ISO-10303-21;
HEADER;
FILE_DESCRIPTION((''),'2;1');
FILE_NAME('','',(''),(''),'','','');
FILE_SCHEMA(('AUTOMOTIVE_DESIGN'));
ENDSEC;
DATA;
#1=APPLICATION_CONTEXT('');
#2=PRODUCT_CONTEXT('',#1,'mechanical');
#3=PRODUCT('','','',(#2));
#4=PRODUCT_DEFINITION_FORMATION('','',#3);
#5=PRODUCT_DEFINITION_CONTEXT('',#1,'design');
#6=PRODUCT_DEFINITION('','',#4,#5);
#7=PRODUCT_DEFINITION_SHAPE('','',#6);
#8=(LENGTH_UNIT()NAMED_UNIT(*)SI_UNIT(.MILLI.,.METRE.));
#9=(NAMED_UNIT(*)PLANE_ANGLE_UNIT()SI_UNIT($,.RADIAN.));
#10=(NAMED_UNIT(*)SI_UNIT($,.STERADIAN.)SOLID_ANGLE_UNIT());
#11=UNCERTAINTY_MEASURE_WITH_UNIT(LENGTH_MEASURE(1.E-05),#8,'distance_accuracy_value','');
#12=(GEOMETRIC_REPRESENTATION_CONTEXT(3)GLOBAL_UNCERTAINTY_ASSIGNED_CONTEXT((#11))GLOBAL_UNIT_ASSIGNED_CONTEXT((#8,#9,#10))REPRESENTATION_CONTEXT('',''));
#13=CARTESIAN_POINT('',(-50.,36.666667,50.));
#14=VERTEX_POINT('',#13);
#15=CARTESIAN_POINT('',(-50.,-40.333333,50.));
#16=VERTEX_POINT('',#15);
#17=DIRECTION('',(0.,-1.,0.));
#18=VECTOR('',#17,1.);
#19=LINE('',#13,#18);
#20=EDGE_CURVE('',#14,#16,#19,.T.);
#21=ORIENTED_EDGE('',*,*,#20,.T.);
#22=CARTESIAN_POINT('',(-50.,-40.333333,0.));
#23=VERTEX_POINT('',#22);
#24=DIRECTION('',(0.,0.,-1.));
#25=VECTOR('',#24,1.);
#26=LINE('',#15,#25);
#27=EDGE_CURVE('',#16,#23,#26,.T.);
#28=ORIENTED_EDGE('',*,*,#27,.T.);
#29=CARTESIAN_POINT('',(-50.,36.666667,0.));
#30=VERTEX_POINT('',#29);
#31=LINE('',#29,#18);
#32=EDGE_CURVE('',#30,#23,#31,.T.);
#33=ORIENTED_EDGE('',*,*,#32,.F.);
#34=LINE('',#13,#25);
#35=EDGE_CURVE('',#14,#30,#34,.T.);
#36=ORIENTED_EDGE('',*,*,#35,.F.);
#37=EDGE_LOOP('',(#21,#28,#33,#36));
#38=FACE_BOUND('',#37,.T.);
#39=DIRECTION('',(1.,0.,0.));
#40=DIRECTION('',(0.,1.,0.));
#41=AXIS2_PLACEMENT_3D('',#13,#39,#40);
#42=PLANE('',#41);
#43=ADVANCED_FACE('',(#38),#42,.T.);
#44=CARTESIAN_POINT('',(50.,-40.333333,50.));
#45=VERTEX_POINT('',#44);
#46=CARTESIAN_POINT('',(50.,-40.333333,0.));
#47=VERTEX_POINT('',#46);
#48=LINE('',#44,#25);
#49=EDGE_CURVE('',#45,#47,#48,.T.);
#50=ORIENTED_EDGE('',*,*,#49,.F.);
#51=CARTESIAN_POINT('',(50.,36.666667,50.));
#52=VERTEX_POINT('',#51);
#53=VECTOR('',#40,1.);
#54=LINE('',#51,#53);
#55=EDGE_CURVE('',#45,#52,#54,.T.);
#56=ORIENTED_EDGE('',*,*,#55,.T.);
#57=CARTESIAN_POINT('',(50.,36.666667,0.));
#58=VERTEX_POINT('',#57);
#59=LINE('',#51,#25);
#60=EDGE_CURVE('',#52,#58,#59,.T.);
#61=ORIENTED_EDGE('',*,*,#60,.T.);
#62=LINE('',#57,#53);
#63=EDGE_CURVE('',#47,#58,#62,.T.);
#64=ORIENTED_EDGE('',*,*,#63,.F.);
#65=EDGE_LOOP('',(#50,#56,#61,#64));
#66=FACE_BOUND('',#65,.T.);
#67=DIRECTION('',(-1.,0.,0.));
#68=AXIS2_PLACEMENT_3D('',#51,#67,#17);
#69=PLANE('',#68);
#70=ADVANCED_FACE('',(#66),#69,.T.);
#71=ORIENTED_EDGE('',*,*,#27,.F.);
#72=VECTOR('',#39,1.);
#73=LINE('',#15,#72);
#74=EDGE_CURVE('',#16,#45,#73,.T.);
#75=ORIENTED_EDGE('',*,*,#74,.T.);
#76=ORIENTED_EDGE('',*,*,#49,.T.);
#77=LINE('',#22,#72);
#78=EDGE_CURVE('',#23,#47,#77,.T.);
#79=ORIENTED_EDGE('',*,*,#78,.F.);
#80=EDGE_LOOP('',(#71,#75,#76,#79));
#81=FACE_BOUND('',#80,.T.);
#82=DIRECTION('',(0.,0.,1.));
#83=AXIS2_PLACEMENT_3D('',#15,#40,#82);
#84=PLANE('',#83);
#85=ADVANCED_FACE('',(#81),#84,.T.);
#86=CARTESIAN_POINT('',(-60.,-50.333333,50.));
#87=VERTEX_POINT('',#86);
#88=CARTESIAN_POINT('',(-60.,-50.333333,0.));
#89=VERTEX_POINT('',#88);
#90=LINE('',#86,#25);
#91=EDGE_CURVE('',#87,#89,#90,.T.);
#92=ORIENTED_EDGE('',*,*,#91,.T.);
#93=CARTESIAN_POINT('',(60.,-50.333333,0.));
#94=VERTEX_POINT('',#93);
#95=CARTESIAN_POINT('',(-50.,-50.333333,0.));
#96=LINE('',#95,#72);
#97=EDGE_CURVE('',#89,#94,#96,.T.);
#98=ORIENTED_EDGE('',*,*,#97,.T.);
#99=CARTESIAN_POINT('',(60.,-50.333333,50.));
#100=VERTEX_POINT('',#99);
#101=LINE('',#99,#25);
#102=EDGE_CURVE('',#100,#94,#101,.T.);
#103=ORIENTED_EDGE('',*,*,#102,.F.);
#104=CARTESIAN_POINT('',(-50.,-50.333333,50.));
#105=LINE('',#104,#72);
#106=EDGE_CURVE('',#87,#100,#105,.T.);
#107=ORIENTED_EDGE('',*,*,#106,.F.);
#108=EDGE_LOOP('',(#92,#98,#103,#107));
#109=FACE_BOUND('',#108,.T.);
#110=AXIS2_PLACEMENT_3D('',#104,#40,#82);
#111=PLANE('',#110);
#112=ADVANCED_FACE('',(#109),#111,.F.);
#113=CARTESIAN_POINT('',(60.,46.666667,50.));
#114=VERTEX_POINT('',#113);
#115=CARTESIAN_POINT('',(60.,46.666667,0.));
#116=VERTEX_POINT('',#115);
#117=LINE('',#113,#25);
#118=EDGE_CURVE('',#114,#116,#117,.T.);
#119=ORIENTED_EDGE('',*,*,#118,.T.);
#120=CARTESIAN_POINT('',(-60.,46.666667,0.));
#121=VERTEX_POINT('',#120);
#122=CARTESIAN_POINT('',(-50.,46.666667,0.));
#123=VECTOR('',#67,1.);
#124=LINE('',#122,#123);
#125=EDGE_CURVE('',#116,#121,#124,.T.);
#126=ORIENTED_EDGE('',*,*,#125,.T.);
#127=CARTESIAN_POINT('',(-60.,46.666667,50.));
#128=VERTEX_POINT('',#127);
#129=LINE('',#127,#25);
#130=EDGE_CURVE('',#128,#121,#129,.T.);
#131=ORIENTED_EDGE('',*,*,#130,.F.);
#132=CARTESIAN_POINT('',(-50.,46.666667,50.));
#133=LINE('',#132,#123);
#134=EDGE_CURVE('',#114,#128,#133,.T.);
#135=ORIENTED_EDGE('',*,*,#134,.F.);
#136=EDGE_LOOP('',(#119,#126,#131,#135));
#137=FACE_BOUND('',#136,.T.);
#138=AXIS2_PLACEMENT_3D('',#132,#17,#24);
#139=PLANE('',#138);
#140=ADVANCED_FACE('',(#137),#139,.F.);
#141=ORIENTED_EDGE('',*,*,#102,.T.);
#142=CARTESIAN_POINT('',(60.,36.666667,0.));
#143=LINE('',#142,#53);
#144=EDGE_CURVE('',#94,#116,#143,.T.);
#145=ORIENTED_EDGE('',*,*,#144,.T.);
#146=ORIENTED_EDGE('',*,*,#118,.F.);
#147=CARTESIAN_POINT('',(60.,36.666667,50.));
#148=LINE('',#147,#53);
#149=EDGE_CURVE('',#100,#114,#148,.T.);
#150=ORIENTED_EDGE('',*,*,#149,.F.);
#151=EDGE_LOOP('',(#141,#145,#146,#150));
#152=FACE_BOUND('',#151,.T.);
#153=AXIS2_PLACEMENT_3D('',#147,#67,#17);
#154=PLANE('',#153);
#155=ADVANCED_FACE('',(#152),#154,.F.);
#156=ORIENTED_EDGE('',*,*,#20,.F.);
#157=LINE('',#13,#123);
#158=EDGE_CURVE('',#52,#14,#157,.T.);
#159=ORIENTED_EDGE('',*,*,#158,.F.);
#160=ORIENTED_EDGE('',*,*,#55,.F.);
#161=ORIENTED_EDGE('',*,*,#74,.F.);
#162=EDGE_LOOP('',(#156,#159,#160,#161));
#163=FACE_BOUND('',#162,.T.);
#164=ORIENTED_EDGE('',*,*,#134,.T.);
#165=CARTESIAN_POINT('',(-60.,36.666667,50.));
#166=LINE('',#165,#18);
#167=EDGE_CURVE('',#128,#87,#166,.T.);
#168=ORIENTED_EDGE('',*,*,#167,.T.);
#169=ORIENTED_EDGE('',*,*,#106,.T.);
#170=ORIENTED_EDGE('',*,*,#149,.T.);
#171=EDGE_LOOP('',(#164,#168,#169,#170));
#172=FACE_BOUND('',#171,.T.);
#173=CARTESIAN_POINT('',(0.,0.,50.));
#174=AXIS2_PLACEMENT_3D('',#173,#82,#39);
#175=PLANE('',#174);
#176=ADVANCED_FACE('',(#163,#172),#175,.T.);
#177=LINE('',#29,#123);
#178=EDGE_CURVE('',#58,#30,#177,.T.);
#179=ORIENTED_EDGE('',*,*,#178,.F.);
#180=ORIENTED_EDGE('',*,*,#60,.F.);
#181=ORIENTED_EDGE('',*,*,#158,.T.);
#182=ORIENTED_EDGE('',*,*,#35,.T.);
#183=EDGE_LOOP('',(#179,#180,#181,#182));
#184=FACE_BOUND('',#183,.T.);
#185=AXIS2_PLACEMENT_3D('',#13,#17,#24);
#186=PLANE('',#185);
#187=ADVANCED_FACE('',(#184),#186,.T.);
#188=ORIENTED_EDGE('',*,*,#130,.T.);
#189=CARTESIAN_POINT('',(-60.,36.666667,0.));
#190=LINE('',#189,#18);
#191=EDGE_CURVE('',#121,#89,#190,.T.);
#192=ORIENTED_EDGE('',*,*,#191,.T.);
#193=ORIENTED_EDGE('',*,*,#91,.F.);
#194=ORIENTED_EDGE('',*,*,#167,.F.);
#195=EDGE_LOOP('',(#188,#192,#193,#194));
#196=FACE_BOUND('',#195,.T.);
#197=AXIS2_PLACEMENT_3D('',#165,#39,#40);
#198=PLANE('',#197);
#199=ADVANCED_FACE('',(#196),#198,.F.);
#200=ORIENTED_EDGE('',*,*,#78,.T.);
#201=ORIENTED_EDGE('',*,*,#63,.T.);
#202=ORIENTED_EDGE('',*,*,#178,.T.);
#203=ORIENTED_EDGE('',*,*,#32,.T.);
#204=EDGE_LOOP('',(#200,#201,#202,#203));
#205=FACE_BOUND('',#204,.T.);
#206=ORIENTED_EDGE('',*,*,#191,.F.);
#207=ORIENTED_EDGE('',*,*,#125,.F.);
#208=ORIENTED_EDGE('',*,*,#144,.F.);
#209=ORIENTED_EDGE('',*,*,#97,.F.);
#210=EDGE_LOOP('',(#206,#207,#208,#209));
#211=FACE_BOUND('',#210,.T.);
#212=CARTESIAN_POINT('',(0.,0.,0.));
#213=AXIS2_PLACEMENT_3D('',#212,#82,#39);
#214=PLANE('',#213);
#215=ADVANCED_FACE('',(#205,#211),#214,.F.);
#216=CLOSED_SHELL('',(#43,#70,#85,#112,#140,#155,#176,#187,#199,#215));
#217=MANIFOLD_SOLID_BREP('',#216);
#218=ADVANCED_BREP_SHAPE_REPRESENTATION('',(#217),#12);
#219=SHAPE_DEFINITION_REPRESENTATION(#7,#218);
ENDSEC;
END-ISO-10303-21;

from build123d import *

# Parameters (mm, degrees)
SKETCH1_W           = 120
SKETCH1_H           = 97
SKETCH1_W_2         = 100
SKETCH1_H_2         = 77
EXTRUDE_THIN1_DEPTH = 50


with BuildPart() as part:
    # Sketch1 → Extrude-Thin1 (new body)
    with BuildSketch(Plane.XY):
        with Locations((0, -1.833333333)):
            Rectangle(SKETCH1_W, SKETCH1_H)
        with Locations((0, -1.833333333)):
            Rectangle(SKETCH1_W_2, SKETCH1_H_2, mode=Mode.SUBTRACT)
    extrude(amount=EXTRUDE_THIN1_DEPTH)


solid = part.part
